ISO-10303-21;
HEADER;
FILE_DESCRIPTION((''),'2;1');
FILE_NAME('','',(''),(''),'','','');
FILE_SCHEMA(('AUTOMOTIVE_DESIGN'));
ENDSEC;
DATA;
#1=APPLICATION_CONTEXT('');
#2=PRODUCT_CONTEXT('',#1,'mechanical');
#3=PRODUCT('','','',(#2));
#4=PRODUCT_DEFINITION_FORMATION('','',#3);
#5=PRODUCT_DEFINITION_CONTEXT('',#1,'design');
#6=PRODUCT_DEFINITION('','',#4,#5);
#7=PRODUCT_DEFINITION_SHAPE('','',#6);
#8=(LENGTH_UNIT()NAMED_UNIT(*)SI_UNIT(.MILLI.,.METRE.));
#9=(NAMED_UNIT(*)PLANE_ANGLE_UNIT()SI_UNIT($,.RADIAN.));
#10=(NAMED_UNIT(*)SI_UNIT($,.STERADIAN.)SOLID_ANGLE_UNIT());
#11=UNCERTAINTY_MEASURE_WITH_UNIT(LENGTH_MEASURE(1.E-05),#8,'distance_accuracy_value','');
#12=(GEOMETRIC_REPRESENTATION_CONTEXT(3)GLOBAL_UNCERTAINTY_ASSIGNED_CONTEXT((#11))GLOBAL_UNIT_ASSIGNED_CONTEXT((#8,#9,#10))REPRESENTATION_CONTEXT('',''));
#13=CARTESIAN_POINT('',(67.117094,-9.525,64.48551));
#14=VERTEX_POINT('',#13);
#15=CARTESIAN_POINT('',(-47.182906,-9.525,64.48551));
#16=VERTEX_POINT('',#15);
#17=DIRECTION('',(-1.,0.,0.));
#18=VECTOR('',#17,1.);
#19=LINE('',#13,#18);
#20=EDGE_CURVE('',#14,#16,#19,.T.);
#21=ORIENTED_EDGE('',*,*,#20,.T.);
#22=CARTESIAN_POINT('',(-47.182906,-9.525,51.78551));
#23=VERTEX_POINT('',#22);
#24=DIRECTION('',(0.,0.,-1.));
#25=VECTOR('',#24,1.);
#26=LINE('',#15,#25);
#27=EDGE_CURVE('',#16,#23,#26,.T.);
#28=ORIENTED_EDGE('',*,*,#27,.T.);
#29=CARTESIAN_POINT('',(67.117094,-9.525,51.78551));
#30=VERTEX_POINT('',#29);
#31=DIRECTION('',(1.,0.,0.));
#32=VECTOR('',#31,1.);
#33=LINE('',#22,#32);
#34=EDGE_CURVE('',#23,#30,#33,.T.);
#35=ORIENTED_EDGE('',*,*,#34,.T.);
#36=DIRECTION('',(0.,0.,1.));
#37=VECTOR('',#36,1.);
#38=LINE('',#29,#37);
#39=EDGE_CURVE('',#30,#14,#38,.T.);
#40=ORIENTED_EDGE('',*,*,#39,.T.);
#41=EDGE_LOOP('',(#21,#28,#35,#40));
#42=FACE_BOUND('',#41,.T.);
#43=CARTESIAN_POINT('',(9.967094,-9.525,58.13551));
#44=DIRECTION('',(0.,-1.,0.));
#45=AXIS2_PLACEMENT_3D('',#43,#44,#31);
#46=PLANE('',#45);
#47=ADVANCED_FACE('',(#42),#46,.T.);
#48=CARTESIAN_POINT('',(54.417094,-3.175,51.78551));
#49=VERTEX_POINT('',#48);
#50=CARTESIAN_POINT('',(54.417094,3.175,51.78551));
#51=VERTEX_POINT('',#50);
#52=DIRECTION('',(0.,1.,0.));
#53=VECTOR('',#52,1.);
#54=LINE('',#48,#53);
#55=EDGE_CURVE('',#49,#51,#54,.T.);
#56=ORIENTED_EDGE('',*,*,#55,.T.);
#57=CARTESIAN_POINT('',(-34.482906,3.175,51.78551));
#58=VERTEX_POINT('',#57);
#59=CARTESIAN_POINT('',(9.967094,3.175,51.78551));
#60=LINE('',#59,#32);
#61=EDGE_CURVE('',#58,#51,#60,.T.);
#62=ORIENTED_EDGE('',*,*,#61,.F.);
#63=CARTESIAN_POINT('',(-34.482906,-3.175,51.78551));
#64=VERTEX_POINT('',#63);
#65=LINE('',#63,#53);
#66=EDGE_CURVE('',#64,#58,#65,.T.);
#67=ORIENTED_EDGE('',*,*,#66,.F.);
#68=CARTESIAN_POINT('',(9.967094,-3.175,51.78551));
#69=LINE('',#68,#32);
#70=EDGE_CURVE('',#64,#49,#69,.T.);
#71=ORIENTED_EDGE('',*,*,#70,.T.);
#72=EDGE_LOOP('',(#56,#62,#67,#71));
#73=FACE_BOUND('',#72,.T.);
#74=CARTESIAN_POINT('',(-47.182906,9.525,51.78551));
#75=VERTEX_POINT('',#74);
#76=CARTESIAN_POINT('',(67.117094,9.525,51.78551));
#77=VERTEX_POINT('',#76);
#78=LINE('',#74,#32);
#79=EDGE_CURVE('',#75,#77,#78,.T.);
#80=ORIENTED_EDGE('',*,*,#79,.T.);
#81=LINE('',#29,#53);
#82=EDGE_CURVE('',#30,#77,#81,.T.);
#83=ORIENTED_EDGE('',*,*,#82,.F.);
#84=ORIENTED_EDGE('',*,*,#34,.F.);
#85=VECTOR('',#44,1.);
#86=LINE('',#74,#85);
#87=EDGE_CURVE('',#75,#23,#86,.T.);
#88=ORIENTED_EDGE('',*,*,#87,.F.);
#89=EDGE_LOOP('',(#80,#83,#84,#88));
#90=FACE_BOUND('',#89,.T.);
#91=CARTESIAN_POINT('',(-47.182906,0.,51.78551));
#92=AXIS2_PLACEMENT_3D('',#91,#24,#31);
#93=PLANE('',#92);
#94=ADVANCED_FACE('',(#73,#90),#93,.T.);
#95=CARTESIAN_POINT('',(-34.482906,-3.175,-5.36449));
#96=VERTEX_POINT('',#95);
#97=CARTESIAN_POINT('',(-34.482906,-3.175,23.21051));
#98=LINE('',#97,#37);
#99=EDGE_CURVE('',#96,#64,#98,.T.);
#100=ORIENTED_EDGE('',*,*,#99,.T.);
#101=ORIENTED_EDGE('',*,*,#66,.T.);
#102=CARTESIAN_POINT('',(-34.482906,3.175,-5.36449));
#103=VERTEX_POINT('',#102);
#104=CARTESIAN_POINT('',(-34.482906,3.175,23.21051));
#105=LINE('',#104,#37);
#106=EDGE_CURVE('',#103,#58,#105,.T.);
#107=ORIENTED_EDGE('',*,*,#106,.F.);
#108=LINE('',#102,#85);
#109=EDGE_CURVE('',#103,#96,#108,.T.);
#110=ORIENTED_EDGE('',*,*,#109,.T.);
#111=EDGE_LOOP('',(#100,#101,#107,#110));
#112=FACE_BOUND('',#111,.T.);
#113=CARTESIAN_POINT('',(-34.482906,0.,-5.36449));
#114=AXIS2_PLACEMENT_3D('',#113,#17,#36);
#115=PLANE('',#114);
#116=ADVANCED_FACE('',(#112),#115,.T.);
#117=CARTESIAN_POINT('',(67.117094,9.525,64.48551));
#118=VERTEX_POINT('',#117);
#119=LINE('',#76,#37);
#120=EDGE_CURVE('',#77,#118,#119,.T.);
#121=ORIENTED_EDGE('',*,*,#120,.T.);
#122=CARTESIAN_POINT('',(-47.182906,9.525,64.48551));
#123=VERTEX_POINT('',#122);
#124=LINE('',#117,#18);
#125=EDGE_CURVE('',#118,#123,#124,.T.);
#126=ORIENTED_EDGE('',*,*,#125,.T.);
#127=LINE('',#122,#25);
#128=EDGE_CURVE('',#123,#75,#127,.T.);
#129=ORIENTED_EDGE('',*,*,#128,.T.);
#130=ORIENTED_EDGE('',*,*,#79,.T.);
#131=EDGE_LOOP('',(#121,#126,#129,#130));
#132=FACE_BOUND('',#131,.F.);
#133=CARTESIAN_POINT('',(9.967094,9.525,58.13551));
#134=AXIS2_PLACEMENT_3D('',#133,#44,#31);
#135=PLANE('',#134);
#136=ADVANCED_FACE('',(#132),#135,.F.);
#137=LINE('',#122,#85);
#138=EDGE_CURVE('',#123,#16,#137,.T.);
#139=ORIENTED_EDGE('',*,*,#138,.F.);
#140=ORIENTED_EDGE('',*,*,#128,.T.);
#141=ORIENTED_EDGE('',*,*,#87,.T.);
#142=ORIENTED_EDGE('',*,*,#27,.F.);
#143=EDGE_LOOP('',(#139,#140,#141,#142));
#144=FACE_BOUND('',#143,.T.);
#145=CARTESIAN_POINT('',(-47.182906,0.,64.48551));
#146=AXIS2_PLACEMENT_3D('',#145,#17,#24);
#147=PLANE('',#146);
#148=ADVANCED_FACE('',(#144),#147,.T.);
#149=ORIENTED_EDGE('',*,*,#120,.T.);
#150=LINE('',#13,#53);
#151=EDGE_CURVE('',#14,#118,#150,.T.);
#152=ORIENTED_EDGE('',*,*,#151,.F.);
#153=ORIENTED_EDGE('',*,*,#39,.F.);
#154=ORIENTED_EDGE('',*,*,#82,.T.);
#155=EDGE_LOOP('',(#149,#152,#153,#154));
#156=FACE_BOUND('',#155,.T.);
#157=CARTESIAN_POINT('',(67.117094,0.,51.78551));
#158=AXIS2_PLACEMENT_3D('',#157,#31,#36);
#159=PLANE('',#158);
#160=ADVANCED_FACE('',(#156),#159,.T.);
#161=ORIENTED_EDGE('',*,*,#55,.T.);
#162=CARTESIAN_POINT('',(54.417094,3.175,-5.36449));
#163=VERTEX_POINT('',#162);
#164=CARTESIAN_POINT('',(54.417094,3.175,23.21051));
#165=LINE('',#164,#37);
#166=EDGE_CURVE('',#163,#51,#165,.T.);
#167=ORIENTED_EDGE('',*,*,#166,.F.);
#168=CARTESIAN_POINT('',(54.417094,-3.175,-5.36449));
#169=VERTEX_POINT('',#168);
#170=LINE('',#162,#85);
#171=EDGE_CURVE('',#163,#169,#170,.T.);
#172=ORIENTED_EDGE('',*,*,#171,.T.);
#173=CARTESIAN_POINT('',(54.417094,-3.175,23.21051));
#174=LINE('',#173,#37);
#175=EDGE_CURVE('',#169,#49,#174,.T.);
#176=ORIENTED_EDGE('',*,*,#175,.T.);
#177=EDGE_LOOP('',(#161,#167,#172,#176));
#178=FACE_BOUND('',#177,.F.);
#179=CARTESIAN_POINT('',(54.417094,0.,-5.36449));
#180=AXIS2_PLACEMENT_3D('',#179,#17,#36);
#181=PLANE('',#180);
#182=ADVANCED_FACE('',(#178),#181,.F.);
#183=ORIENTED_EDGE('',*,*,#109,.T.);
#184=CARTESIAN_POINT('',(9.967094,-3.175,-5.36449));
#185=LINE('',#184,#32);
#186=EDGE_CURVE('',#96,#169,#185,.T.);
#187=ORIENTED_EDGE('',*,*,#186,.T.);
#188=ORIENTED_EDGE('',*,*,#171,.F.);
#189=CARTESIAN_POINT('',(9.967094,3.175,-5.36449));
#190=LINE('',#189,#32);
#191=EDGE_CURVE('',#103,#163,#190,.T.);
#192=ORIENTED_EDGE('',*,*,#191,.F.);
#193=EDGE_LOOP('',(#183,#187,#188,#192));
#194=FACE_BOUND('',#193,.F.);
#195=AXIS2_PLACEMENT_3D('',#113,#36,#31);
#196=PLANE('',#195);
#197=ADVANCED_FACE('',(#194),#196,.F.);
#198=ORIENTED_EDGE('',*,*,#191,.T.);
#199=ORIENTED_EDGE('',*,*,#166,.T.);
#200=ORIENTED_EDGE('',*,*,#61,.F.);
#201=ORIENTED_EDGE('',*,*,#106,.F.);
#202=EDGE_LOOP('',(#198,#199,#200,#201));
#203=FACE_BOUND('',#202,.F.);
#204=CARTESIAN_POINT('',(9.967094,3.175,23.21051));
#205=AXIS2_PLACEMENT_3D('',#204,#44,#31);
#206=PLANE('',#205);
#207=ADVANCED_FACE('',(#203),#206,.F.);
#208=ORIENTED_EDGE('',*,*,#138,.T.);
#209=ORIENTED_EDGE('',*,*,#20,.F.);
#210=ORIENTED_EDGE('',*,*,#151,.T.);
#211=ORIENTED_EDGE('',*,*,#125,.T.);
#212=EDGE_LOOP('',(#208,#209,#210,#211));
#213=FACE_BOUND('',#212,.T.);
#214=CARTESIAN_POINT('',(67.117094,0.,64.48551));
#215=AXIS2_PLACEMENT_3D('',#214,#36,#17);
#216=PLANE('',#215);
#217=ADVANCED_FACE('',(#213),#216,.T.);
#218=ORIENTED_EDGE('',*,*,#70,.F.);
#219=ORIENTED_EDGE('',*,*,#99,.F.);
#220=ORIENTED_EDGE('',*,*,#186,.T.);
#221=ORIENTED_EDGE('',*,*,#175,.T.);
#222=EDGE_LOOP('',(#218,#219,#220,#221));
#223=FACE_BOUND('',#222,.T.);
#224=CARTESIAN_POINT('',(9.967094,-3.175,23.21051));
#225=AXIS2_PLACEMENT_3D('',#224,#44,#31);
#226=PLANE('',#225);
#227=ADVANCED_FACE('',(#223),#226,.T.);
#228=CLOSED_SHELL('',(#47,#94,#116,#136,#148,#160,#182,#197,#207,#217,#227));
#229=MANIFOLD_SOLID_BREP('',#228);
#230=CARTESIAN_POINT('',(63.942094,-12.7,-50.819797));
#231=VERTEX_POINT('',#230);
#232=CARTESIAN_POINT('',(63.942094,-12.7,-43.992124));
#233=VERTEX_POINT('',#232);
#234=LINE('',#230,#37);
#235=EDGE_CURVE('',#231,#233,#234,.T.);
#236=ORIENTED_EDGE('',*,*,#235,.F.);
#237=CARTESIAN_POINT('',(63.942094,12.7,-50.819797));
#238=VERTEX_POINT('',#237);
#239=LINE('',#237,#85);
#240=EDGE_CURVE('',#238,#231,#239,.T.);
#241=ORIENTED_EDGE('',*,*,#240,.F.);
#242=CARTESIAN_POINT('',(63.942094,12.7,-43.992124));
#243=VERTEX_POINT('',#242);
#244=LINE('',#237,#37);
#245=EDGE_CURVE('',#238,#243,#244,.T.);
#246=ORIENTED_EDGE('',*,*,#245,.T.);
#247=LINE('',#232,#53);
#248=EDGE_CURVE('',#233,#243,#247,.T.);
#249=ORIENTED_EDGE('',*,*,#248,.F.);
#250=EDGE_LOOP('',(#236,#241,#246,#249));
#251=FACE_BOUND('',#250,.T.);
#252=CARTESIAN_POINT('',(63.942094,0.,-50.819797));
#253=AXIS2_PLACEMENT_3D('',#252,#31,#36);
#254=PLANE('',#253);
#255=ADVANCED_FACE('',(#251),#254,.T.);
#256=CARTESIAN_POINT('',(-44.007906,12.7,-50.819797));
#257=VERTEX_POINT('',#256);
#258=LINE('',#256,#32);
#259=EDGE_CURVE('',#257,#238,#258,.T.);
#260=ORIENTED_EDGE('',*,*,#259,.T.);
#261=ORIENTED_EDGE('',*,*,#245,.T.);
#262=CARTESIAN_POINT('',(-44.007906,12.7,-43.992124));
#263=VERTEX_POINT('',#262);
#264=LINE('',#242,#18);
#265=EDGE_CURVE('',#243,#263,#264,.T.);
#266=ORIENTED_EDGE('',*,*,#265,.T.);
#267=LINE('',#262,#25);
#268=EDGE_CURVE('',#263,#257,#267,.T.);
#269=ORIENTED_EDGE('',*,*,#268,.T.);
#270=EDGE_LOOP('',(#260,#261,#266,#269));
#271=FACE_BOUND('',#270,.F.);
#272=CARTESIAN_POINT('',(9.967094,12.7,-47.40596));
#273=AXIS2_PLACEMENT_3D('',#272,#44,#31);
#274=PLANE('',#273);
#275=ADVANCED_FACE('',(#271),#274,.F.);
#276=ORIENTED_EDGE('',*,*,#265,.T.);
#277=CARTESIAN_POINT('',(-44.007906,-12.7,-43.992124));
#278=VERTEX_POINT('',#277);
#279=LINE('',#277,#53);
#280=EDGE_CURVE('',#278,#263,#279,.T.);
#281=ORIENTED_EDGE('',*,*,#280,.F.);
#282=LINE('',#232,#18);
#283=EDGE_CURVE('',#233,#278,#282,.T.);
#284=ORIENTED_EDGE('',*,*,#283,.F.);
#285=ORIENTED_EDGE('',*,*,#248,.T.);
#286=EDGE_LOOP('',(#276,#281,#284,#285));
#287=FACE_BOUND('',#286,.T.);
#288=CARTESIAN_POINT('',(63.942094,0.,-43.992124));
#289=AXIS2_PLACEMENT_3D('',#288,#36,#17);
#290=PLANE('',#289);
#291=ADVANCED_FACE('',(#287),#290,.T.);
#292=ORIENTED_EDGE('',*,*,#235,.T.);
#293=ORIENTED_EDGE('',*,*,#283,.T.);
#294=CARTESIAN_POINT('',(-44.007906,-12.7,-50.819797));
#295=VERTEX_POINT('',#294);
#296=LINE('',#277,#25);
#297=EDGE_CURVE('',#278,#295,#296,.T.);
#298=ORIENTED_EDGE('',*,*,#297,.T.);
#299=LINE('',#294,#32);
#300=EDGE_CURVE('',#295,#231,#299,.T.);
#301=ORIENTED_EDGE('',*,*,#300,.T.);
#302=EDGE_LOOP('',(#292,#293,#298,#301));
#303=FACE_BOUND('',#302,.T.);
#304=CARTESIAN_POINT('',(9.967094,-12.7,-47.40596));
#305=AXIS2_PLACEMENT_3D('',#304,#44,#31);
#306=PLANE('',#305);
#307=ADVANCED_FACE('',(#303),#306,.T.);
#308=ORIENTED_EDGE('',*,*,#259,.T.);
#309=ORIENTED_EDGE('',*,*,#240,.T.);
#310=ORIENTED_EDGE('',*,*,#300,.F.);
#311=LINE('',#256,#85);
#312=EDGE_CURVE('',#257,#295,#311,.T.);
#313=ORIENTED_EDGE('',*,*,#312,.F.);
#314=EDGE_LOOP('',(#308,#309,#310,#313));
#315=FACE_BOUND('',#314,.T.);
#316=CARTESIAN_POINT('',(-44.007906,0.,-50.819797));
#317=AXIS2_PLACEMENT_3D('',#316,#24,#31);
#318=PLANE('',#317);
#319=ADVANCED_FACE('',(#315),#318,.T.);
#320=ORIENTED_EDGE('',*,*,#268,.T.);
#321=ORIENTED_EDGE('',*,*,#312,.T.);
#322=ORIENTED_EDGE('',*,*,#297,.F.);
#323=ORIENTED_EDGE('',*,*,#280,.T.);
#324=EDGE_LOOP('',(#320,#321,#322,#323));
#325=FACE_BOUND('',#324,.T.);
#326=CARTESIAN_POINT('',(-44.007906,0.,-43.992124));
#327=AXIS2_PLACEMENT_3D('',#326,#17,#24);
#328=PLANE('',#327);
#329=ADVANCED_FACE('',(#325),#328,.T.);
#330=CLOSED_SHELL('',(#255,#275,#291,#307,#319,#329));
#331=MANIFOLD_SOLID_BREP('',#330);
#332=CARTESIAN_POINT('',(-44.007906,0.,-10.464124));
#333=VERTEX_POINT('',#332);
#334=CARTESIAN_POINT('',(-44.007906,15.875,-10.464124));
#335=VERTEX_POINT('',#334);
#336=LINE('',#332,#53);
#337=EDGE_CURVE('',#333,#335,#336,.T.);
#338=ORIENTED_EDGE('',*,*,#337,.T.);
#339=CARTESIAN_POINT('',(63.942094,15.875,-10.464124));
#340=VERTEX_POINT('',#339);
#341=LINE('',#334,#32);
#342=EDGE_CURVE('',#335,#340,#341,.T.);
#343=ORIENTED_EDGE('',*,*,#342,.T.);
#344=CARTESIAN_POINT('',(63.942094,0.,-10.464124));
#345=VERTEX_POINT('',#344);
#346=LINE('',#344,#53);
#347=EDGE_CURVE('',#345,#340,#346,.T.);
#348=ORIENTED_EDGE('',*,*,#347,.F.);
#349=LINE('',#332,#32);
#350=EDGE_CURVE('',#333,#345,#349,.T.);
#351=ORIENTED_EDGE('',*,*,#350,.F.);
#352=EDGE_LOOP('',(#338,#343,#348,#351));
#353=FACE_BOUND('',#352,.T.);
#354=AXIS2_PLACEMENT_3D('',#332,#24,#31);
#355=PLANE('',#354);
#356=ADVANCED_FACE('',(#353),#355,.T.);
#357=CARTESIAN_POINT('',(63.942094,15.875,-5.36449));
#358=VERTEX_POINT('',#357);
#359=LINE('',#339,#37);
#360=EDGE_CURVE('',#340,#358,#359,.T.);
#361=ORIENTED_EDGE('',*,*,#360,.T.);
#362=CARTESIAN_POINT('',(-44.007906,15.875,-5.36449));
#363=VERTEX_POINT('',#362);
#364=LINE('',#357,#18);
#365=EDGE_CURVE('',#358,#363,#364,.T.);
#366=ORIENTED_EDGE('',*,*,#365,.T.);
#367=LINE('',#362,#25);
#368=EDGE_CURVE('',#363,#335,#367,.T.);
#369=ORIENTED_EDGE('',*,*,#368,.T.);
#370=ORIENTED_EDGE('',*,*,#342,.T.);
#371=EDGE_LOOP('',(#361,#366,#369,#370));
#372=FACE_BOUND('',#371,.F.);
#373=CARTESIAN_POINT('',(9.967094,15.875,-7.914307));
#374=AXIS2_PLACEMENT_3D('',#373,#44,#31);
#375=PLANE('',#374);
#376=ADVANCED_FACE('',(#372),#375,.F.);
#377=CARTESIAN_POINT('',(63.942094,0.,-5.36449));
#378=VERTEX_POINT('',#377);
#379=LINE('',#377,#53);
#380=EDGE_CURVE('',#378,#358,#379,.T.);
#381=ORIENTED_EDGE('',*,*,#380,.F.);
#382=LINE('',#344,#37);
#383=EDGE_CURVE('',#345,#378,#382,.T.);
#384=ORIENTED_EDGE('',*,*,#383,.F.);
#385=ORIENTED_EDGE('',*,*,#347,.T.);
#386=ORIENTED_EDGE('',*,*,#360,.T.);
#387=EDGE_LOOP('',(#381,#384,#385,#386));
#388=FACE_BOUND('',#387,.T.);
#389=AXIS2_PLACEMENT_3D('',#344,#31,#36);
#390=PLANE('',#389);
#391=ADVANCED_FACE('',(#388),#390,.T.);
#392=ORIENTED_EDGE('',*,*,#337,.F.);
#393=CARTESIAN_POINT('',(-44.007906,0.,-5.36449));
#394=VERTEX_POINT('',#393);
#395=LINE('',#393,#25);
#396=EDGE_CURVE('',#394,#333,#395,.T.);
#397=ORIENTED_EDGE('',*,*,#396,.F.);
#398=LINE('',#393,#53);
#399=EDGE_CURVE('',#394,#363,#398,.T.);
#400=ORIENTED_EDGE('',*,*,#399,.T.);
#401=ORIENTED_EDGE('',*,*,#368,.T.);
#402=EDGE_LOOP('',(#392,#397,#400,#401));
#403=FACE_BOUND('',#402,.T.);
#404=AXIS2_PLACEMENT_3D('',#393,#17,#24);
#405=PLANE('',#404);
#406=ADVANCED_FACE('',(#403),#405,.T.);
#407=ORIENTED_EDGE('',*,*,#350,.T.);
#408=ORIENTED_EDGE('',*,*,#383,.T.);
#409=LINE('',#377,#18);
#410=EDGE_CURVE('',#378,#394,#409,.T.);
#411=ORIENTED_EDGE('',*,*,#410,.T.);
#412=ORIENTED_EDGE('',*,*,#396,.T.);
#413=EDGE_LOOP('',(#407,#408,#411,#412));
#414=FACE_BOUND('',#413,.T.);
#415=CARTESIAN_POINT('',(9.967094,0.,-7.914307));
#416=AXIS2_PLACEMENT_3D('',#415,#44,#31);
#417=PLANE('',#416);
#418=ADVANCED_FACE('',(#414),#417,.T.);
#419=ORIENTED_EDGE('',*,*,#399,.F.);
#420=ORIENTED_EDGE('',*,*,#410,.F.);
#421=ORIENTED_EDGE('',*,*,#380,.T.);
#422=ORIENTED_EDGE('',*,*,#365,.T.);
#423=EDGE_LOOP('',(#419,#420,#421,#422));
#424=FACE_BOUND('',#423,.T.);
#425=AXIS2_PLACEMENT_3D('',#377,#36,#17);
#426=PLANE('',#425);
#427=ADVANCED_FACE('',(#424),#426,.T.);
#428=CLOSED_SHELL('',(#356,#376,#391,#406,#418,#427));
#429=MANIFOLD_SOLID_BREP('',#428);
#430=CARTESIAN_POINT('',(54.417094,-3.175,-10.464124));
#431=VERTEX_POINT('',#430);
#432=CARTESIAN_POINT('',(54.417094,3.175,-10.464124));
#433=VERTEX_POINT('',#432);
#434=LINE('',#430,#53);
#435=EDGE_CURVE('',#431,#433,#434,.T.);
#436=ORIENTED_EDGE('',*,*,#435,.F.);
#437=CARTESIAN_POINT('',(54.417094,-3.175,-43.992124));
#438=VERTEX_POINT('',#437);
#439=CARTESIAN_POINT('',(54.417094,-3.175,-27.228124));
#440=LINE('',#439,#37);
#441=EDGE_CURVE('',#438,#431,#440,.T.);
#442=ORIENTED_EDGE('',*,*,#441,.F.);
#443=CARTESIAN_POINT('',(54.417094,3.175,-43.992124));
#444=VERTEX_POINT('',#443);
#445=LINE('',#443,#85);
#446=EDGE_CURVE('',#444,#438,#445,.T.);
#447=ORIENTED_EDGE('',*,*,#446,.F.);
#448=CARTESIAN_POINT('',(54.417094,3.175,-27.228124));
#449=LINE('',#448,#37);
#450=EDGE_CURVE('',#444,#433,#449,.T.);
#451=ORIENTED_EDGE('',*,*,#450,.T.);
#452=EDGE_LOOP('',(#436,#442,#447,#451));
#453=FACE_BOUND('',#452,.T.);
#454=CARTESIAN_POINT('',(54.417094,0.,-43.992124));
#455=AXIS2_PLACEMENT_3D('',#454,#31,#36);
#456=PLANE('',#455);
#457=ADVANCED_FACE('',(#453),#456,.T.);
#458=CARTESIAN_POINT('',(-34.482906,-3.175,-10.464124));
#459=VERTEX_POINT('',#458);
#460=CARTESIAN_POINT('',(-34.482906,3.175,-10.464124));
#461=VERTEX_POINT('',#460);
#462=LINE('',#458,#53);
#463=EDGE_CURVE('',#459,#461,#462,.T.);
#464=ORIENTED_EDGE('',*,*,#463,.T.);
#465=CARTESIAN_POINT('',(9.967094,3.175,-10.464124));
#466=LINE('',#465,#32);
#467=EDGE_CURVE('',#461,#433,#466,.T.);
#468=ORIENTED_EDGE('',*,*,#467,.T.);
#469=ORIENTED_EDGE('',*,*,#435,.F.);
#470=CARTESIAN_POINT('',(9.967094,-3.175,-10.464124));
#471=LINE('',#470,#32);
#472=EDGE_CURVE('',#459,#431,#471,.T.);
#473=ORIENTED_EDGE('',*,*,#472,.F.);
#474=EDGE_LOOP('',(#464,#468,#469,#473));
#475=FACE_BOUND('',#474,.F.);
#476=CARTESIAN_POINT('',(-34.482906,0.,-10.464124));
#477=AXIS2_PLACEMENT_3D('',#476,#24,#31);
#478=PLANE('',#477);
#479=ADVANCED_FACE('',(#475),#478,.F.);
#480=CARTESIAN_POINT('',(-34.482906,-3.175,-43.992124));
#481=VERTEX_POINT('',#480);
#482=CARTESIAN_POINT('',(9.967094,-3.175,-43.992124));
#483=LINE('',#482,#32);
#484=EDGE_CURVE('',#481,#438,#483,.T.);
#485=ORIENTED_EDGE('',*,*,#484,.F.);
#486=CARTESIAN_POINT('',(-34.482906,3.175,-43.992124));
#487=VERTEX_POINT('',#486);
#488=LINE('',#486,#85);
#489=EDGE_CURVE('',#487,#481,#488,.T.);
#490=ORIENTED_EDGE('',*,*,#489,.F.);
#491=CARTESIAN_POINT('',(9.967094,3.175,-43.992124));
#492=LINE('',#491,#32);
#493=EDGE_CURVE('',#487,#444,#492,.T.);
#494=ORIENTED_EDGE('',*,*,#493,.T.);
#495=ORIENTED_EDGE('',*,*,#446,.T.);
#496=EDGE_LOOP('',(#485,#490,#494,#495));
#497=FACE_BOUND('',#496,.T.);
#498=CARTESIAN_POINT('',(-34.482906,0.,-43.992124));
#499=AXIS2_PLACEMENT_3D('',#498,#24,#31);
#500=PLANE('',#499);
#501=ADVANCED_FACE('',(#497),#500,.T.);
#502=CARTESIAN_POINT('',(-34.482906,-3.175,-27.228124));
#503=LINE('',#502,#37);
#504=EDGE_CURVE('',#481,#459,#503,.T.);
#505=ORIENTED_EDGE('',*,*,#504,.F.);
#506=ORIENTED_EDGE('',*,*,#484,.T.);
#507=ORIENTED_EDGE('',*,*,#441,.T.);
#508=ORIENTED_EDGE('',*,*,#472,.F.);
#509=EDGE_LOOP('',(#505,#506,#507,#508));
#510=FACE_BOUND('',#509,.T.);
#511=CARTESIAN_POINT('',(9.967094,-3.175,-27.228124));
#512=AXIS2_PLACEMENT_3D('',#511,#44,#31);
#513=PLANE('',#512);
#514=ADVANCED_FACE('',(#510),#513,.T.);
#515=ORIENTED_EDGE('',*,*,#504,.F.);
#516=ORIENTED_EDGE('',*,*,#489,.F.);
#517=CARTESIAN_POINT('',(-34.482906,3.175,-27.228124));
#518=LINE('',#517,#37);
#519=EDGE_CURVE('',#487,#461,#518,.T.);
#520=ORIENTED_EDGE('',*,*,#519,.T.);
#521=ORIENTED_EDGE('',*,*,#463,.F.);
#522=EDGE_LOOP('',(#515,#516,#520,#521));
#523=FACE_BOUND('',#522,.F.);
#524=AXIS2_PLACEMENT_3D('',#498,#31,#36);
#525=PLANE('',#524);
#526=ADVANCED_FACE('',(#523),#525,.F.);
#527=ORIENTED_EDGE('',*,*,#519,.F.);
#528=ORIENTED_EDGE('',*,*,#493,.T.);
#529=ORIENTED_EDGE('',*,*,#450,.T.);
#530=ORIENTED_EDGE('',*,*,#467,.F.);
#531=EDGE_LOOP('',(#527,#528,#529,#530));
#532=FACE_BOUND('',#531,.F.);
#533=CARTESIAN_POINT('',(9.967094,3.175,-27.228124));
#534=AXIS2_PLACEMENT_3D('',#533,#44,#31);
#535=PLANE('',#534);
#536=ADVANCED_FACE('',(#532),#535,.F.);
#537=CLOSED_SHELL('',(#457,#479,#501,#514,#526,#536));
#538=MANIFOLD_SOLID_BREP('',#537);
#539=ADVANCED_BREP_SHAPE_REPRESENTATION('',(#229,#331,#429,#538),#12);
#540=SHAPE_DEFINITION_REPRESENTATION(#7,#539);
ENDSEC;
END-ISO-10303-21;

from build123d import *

# Parameters (mm, degrees)
F1_DEPTH = 9.525
F0_W     = 88.9
F0_H     = 57.15
F0_H_2   = 33.528
F2_DEPTH = 3.175
F3_DEPTH = 12.7
F4_DEPTH = 15.875


with BuildPart() as f1:
    # F0 (on Front) → F1 (new body, symmetric)
    with BuildSketch(Plane.XZ):
        Polygon((67.117094, 64.48551), (-47.182906, 64.48551), (-47.182906, 51.78551), (-34.482906, 51.78551), (54.417094, 51.78551), (67.117094, 51.78551), align=None)
    extrude(amount=F1_DEPTH, both=True)

    # F0 (on Front) → F2 (join, symmetric)
    with BuildSketch(Plane.XZ):
        with Locations((9.967094, 23.21051)):
            Rectangle(F0_W, F0_H)
        with Locations((9.967094, -27.228124)):
            Rectangle(F0_W, F0_H_2)
    extrude(amount=F2_DEPTH, both=True)


with BuildPart() as f3:
    # F0 (on Front) → F3 (new body, symmetric)
    with BuildSketch(Plane.XZ):
        Polygon((54.417094, -43.992124), (-34.482906, -43.992124), (-44.007906, -43.992124), (-44.007906, -50.819797), (63.942094, -50.819797), (63.942094, -43.992124), align=None)
    extrude(amount=F3_DEPTH, both=True)


with BuildPart() as f4:
    # F0 (on Front) → F4 (new body)
    with BuildSketch(Plane.XZ):
        Polygon((54.417094, -5.36449), (-34.482906, -5.36449), (-44.007906, -5.36449), (-44.007906, -10.464124), (-34.482906, -10.464124), (54.417094, -10.464124), (63.942094, -10.464124), (63.942094, -5.36449), align=None)
    extrude(amount=-F4_DEPTH)


solid = Compound([f1.part, f3.part, f4.part])
